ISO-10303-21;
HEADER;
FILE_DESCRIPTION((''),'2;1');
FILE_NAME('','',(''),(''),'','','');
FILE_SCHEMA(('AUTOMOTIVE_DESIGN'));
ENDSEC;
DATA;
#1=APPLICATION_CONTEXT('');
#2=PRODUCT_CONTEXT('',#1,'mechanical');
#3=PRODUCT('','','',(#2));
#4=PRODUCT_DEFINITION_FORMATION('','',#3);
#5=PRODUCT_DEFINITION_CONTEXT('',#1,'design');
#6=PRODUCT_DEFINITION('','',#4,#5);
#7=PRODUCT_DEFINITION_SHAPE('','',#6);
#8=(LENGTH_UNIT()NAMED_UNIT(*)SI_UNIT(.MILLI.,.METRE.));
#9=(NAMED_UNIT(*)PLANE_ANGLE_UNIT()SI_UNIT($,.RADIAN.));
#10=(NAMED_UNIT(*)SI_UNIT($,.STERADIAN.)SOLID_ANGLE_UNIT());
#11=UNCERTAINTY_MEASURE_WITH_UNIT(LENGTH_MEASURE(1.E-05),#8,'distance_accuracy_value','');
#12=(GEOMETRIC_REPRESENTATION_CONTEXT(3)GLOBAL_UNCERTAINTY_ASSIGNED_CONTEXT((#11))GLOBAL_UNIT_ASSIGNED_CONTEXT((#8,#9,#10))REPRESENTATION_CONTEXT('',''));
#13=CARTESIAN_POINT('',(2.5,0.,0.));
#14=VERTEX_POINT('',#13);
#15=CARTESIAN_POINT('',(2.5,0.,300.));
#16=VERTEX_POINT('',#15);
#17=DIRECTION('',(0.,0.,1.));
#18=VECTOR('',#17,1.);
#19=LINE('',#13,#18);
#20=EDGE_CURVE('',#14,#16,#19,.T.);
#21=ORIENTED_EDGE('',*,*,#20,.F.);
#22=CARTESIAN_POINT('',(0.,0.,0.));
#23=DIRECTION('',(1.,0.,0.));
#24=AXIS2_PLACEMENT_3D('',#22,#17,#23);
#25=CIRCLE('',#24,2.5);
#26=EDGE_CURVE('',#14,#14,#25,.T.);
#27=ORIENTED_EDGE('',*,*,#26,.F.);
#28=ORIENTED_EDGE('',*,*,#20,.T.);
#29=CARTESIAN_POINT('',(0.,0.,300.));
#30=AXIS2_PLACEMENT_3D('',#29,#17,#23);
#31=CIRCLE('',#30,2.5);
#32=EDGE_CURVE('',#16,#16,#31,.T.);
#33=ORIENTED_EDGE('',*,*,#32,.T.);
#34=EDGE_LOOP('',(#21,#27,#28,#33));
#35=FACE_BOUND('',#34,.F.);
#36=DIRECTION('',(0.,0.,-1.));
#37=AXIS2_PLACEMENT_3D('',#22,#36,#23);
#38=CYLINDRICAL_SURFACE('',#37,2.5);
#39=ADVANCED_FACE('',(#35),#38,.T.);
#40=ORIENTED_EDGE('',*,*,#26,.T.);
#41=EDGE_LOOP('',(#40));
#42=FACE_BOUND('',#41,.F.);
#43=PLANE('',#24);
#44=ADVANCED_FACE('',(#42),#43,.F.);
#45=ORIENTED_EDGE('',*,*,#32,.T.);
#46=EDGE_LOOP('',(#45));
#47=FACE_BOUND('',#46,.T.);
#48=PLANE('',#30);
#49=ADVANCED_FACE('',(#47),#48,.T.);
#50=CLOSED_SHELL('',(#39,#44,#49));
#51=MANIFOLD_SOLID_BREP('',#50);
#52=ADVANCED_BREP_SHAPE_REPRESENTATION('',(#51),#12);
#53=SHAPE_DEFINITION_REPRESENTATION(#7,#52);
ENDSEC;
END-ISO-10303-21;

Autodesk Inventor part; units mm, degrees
ref_plane "YZ Plane" through (0, 0, 0) normal (1, 0, 0) x (0, 1, 0)
ref_plane "XZ Plane" through (0, 0, 0) normal (0, 1, 0) x (-1, 0, 0)
ref_plane "XY Plane" through (0, 0, 0) normal (0, 0, 1) x (1, 0, 0)
sketch "Sketch1" plane through (0, 0, 0) normal (0, 0, 1) x (1, 0, 0)
  circle A0 centre (0, 0) radius 2.5
  dimension "d0" = 5
extrude "Extrusion1" add sketch "Sketch1" along normal blind 300
properties part number "axes" material "Stainless Steel"
